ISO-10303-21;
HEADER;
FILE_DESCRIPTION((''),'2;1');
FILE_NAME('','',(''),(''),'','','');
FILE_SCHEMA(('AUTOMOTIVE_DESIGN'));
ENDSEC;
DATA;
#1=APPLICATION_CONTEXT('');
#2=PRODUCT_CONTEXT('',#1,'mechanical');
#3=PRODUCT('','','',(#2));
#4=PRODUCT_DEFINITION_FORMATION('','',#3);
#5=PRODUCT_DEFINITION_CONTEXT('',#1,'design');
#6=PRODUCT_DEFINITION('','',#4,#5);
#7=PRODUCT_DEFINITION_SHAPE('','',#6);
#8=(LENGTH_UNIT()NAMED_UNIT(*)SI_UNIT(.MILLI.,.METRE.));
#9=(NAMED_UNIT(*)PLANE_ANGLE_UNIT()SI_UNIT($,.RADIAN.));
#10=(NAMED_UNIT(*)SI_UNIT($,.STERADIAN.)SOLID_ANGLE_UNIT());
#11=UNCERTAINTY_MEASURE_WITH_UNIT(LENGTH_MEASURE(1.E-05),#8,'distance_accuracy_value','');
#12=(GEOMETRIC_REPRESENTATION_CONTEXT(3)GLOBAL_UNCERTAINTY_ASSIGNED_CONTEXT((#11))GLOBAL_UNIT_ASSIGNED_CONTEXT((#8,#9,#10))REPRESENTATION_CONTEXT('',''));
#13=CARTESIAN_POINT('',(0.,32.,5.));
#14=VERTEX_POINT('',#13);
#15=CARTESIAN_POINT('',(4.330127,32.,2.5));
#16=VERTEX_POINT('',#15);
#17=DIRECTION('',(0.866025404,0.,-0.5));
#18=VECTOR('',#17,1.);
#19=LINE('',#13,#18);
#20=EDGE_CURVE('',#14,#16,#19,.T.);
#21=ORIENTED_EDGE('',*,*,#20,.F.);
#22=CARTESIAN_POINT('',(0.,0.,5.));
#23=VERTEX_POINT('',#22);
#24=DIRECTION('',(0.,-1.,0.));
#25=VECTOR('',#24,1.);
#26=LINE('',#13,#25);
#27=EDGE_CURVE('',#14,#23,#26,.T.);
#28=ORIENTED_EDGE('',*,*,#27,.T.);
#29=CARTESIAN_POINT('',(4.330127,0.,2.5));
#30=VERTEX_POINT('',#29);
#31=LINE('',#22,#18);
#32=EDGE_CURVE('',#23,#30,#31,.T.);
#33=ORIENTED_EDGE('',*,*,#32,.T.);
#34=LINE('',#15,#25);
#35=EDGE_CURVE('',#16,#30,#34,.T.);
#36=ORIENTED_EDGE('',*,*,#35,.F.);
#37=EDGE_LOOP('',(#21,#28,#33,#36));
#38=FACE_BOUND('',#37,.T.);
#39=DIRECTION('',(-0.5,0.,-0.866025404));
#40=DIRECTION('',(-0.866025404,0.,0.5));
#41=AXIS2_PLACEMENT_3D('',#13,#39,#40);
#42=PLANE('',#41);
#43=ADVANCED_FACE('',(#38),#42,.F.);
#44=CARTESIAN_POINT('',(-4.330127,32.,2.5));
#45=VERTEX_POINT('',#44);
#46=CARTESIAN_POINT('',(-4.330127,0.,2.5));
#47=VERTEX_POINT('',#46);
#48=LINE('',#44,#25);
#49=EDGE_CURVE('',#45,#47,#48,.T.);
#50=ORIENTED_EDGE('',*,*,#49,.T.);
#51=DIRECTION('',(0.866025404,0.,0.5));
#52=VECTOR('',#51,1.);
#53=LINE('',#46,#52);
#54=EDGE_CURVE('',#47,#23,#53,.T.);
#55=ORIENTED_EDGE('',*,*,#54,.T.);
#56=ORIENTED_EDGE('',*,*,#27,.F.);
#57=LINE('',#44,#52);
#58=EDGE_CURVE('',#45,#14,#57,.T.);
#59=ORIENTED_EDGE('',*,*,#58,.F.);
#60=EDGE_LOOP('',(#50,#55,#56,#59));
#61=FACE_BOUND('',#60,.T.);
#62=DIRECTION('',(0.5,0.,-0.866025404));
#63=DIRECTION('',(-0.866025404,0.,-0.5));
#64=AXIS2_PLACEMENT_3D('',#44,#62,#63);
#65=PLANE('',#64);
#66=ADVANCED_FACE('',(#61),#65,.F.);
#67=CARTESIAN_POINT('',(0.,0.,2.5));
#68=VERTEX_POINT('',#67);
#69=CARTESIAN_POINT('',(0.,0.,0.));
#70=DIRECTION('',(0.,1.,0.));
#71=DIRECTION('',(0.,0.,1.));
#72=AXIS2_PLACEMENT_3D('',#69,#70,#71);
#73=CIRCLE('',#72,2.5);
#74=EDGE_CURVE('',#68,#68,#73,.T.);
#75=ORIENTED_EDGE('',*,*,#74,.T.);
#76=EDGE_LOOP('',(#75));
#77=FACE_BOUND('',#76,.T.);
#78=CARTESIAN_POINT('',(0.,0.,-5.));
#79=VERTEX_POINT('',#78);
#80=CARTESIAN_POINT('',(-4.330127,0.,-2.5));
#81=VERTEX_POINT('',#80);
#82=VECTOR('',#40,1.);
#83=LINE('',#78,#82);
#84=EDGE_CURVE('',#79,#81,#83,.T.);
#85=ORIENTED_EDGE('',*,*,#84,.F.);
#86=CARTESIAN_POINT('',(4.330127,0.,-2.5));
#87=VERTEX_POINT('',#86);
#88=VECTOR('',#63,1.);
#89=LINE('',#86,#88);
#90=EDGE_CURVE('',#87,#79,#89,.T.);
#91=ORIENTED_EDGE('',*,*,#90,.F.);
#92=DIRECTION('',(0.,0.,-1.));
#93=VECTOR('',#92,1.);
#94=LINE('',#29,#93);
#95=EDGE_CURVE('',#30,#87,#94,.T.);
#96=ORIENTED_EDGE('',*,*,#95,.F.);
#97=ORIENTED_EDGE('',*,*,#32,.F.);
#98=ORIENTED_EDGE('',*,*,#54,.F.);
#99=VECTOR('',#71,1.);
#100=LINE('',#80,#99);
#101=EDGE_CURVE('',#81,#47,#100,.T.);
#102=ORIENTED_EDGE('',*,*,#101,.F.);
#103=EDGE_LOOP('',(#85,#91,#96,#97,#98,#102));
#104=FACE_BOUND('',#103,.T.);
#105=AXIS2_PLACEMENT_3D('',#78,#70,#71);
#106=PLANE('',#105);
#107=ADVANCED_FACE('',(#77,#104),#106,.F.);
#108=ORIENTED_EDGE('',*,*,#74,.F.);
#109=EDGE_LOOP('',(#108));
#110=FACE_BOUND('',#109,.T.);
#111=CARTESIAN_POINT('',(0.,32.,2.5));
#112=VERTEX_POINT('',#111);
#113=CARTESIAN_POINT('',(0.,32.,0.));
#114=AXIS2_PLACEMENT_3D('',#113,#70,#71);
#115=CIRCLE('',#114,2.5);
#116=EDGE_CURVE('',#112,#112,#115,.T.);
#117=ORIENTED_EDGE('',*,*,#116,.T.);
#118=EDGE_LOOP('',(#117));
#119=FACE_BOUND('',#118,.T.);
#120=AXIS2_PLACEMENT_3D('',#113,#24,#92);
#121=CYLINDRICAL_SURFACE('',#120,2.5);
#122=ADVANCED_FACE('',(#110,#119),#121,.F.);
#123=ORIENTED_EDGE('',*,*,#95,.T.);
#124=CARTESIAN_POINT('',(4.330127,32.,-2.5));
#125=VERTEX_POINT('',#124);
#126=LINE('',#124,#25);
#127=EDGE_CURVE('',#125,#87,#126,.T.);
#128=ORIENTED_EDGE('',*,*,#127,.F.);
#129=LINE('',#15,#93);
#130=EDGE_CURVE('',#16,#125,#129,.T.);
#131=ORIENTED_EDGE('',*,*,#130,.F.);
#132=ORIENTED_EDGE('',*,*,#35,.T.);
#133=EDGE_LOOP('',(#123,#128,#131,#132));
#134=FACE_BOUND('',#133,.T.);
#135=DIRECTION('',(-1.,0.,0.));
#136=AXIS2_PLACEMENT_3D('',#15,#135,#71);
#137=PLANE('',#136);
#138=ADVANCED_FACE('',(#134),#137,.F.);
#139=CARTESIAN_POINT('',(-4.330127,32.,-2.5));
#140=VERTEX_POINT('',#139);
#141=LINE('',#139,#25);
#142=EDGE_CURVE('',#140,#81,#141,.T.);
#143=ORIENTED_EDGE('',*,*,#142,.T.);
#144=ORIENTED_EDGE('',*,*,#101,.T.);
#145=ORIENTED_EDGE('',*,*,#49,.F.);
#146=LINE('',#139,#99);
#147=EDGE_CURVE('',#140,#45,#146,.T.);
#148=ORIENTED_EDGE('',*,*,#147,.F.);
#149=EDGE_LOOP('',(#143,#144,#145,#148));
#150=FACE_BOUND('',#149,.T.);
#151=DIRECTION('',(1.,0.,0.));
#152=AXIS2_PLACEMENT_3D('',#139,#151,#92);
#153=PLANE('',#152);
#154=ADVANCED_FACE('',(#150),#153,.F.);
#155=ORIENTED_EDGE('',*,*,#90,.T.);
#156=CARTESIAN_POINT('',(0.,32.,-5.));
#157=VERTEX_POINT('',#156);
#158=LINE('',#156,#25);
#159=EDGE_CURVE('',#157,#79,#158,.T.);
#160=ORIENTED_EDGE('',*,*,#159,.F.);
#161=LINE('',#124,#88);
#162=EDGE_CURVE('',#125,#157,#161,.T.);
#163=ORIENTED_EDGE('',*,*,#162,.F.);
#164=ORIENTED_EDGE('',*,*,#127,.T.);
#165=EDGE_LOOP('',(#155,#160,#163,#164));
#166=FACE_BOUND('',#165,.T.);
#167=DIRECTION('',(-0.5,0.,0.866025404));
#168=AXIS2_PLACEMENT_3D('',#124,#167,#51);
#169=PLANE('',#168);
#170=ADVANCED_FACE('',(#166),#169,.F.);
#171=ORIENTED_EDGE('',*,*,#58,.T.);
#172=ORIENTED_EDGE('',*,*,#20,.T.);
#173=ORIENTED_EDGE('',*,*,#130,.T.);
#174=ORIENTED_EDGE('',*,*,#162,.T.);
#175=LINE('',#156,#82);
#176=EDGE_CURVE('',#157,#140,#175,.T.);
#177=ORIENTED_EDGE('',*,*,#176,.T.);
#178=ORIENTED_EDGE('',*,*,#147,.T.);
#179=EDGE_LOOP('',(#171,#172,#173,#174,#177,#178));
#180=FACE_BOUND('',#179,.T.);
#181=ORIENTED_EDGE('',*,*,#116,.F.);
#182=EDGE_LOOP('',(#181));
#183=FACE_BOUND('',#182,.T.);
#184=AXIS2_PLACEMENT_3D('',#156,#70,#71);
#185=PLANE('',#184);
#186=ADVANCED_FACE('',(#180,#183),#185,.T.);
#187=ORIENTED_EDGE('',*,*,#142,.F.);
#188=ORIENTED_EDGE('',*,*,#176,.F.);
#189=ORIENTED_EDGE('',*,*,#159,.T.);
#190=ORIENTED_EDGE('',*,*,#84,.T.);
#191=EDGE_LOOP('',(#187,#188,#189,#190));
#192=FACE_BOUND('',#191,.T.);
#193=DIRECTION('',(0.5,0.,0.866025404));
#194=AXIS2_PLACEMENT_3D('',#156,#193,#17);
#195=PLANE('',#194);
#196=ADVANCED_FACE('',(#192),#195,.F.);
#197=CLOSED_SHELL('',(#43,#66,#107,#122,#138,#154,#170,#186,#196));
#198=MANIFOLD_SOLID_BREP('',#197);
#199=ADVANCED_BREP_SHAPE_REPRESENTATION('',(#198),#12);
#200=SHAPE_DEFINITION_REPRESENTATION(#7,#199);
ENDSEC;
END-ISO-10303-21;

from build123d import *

# Parameters (mm, degrees)
ESQUISSE1_R      = 2.5
EXTRUSION1_DEPTH = 32


with BuildPart() as part:
    # Esquisse1 → Extrusion1 (new body)
    with BuildSketch(Plane(origin=(0, 0, 0), x_dir=(1, 0, 0), z_dir=(0, 1, 0))):
        Polygon((0, 5), (-4.330127019, 2.5), (-4.330127019, -2.5), (0, -5), (4.330127019, -2.5), (4.330127019, 2.5), align=None)
        Circle(ESQUISSE1_R, mode=Mode.SUBTRACT)
    extrude(amount=EXTRUSION1_DEPTH)


solid = part.part
